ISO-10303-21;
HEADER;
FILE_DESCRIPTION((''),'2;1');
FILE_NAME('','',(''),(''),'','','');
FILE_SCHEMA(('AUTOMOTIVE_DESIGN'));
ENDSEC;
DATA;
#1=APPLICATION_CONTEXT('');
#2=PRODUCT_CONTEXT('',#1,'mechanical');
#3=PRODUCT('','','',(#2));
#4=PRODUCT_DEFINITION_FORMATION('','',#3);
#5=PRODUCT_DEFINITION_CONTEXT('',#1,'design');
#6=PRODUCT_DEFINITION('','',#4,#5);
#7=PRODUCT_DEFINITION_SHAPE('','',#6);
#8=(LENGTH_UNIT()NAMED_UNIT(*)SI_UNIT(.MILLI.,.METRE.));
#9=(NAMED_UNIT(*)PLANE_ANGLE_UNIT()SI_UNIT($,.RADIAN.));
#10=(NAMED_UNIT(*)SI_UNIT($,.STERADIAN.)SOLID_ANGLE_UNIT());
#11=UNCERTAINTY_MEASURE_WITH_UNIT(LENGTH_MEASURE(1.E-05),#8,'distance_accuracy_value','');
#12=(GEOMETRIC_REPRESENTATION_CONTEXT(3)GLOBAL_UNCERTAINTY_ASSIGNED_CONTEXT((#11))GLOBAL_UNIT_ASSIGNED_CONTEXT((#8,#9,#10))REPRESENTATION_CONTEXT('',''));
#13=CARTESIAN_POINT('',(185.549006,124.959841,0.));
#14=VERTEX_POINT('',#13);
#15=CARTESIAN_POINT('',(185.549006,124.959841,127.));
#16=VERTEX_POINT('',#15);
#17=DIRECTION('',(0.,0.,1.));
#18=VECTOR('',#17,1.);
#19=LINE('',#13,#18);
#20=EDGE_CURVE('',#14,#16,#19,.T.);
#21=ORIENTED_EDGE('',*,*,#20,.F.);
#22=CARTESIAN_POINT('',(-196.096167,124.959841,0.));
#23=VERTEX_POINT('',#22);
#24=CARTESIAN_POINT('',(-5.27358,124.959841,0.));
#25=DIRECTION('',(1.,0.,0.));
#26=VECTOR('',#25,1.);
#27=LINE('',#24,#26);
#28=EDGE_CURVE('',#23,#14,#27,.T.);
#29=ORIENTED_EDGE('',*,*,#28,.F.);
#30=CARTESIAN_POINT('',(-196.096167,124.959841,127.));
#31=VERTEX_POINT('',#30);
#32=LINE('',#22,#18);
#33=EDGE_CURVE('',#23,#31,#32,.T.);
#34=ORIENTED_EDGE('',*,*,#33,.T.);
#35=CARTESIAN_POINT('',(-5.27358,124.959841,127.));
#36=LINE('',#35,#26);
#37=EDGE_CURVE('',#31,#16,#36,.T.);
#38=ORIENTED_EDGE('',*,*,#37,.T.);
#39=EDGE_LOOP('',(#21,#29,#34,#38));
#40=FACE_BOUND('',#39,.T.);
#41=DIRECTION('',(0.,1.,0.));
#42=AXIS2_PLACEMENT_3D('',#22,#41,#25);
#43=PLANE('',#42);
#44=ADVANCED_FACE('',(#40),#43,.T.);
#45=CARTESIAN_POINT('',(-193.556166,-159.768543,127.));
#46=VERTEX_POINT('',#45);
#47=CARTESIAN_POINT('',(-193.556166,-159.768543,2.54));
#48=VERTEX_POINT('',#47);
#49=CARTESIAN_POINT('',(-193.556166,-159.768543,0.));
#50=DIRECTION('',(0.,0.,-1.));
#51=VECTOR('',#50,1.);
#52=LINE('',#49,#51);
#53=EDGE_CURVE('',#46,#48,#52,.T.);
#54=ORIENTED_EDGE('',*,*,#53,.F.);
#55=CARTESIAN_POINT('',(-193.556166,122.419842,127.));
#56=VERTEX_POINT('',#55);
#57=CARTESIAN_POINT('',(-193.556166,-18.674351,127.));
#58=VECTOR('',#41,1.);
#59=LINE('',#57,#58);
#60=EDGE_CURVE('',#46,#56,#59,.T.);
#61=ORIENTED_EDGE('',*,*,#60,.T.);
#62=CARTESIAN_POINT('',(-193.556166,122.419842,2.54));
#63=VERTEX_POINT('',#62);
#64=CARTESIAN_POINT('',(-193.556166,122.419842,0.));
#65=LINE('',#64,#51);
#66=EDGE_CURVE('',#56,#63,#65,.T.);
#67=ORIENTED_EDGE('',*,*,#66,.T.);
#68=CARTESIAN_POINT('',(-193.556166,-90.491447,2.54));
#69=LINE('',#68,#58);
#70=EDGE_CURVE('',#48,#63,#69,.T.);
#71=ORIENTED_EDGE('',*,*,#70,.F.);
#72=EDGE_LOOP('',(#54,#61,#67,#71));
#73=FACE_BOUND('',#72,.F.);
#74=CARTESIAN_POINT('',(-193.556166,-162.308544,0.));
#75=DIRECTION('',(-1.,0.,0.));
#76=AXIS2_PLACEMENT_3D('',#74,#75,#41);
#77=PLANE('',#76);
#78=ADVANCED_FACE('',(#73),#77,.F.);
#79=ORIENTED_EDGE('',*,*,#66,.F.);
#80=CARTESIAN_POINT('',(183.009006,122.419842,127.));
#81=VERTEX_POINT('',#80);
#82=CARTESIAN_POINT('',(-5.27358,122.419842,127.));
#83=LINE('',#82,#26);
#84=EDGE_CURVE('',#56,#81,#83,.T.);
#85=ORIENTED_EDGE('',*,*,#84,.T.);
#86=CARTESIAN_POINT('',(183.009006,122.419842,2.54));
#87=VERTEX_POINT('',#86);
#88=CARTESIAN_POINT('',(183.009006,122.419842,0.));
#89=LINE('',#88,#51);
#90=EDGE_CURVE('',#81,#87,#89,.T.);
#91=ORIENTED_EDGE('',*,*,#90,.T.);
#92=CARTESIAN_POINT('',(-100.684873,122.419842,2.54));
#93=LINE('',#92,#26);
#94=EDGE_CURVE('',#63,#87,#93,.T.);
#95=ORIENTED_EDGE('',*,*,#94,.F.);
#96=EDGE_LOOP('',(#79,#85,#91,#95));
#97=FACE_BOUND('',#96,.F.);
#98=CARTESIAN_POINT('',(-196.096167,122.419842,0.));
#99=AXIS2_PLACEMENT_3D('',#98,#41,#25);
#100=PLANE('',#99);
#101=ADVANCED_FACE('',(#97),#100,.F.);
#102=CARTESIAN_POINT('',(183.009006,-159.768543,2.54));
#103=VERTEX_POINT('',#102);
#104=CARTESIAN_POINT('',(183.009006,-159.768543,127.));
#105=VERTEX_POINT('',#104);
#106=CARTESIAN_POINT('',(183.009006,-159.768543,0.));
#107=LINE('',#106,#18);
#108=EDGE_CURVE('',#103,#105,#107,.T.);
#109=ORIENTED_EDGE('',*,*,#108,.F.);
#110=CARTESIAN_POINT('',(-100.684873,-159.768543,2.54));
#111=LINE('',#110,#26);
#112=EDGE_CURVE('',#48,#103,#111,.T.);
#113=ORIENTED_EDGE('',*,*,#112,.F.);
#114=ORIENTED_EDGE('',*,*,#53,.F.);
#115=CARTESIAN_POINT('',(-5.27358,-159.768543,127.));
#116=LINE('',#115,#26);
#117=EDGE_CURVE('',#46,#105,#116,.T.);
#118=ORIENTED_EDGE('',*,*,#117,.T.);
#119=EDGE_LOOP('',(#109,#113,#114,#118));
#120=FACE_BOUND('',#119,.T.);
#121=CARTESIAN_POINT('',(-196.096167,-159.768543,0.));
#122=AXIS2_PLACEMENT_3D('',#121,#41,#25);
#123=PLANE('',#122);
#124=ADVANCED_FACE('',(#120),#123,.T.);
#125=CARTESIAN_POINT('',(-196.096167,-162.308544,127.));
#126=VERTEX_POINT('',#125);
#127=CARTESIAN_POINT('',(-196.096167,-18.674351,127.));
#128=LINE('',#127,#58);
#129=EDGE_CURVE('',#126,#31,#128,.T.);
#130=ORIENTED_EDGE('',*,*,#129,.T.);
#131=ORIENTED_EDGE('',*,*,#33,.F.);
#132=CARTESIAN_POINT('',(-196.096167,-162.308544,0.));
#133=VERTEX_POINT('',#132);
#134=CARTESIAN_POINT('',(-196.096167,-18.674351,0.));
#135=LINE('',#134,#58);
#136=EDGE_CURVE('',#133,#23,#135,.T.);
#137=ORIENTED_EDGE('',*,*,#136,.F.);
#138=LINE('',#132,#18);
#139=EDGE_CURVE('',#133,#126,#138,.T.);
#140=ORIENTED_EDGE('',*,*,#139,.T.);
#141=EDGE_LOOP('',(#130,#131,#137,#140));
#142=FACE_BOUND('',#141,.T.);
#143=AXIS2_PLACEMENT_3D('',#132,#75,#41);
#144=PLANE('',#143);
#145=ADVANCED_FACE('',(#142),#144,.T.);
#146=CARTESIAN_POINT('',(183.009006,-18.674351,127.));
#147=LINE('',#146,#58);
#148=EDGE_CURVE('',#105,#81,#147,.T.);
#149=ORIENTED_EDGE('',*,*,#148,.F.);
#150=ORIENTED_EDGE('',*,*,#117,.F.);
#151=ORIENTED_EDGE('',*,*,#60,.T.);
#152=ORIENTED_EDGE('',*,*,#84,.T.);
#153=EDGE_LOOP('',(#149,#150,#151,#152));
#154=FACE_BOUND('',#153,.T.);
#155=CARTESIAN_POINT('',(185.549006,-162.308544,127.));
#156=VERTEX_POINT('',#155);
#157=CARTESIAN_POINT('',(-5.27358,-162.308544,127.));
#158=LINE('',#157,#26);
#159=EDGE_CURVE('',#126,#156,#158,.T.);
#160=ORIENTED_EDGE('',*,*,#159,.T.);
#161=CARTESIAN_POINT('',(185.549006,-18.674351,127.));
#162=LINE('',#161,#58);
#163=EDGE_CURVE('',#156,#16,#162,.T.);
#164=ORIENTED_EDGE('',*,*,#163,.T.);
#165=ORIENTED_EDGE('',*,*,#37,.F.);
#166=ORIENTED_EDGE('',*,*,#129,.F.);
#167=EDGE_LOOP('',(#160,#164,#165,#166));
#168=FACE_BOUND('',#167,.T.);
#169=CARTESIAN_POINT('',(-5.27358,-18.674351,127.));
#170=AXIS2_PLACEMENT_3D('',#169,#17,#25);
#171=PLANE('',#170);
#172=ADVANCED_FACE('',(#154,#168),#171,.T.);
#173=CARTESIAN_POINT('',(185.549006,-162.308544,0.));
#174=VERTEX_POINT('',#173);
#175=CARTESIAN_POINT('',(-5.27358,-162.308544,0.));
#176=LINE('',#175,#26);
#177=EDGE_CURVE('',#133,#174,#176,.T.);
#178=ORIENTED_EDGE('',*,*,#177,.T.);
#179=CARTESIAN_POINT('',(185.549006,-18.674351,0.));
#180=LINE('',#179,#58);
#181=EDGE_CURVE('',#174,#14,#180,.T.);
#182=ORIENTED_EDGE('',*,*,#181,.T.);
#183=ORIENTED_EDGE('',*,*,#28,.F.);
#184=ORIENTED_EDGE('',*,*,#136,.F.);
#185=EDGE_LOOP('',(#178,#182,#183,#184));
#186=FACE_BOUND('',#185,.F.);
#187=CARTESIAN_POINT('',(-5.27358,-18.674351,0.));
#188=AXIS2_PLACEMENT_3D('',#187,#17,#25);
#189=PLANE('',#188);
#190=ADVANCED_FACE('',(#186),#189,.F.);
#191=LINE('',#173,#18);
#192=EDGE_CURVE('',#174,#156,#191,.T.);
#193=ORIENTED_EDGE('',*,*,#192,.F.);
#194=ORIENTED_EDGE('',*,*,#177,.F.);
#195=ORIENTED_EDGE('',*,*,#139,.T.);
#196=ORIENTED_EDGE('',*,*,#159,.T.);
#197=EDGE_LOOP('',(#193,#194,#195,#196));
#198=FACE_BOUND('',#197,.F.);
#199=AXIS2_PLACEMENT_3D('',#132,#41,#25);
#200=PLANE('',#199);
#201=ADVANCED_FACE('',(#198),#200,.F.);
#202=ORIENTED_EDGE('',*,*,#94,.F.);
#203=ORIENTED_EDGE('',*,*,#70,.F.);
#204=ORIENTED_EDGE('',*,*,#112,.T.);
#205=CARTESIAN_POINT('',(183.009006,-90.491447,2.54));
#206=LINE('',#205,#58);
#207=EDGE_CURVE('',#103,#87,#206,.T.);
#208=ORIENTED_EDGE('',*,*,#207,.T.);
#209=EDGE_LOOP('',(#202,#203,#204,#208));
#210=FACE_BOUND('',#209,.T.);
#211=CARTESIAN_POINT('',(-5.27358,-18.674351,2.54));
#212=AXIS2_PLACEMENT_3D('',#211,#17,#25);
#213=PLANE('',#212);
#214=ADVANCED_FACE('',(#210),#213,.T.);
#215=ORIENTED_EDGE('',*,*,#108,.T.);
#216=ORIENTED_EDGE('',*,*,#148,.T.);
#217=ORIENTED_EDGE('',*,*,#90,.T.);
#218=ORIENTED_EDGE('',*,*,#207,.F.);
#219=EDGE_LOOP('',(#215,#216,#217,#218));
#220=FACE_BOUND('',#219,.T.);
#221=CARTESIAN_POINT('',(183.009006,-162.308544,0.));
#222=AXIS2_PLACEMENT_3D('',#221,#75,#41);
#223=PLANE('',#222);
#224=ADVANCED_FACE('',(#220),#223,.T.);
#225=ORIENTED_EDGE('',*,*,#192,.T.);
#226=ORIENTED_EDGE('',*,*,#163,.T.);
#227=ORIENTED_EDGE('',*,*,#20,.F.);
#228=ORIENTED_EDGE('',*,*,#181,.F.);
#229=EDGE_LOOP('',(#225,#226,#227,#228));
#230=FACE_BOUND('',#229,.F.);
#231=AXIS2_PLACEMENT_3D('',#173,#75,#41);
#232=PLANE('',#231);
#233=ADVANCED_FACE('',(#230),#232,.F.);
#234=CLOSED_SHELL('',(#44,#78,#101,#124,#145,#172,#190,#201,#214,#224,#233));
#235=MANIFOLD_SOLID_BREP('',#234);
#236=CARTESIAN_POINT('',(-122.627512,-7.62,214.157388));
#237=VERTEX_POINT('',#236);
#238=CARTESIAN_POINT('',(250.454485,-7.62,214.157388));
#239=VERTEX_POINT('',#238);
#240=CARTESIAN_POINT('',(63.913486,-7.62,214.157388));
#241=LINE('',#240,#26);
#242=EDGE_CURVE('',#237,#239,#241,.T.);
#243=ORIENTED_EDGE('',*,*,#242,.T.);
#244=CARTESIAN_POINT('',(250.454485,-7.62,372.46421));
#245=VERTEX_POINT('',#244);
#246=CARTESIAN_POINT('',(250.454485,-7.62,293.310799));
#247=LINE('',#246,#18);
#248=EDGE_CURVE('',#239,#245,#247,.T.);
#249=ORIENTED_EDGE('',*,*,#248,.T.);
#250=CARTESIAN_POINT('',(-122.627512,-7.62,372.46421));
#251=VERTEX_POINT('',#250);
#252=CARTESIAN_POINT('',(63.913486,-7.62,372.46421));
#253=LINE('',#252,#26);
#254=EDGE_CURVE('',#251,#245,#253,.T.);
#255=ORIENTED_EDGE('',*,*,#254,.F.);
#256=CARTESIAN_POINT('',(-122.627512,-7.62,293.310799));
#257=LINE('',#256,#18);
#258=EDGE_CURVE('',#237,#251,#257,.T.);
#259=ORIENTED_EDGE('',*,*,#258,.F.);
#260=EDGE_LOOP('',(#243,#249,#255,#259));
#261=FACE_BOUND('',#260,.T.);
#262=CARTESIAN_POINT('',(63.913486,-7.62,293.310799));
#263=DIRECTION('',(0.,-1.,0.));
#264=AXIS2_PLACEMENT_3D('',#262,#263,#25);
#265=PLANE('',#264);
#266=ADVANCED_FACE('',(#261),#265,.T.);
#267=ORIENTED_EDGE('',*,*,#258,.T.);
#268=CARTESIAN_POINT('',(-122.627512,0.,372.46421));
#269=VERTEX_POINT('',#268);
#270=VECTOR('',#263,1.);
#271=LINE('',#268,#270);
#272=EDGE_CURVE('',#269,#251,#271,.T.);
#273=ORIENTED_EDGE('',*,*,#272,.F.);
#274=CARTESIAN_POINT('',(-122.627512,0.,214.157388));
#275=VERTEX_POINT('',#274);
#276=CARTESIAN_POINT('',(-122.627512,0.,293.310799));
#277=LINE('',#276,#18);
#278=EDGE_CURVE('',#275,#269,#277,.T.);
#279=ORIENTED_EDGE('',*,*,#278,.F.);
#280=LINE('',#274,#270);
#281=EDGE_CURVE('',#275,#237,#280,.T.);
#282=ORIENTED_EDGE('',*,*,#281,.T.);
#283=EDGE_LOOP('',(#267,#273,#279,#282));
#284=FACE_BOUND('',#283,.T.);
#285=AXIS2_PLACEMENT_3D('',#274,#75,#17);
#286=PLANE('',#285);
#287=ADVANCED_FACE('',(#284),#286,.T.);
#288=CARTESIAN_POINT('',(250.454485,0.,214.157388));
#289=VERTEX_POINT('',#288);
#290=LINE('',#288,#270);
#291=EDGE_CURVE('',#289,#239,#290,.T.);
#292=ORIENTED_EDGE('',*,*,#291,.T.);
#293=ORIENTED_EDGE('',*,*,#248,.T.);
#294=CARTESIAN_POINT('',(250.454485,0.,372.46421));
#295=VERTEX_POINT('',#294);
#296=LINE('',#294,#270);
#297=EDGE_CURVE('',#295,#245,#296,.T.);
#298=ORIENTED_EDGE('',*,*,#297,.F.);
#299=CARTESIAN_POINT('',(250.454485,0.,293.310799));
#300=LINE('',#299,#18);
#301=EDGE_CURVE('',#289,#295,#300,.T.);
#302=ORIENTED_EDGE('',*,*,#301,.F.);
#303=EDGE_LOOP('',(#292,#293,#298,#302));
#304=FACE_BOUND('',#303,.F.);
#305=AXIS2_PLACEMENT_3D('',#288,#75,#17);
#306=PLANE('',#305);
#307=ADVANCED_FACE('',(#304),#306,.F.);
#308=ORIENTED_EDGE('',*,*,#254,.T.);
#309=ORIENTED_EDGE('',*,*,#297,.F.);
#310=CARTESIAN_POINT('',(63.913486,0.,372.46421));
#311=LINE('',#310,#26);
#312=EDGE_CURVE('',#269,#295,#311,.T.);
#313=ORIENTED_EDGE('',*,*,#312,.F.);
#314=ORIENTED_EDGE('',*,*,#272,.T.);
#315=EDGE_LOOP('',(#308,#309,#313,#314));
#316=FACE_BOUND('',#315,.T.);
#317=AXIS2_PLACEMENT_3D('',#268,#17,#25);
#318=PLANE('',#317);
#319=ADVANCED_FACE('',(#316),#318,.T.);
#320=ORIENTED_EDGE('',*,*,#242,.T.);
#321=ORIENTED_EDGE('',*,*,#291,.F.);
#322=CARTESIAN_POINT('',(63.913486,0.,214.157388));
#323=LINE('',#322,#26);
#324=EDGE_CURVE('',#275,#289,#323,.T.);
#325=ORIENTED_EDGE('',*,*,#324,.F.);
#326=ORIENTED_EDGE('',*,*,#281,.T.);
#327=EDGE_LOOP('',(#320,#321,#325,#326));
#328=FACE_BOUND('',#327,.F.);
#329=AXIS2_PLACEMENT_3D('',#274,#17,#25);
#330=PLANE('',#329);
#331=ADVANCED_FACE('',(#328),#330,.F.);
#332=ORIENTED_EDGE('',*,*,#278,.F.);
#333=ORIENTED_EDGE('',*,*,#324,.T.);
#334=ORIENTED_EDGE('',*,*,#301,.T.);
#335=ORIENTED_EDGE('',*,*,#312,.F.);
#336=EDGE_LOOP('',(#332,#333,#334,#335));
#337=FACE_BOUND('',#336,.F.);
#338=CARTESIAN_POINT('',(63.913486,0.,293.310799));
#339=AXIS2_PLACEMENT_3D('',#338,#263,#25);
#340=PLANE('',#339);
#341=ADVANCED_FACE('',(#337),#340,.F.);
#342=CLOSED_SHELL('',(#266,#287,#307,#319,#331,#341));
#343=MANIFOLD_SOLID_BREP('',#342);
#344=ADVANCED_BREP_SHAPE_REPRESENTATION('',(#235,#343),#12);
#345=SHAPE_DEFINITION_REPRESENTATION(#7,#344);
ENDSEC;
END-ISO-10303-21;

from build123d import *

# Parameters (mm, degrees)
F0_W     = 381.645173
F0_H     = 287.268385
F1_DEPTH = 127
F2_T     = -2.54
F3_W     = 373.081997
F3_H     = 158.306822
F4_DEPTH = 7.62


with BuildPart() as f1:
    # F0 (on Top) → F1 (new body)
    with BuildSketch(Plane.XY):
        with Locations((-5.27358, -18.674351)):
            Rectangle(F0_W, F0_H)
    extrude(amount=F1_DEPTH)

    # F2
    f2_openings = [f1.faces().sort_by_distance(p)[0] for p in [
        (-5.273581, -18.674351, 127),
    ]]
    offset(amount=F2_T, openings=f2_openings)


with BuildPart() as f4:
    # F3 (on Front) → F4 (new body)
    with BuildSketch(Plane.XZ):
        with Locations((63.913486, 293.310799)):
            Rectangle(F3_W, F3_H)
    extrude(amount=F4_DEPTH)


solid = Compound([f1.part, f4.part])
